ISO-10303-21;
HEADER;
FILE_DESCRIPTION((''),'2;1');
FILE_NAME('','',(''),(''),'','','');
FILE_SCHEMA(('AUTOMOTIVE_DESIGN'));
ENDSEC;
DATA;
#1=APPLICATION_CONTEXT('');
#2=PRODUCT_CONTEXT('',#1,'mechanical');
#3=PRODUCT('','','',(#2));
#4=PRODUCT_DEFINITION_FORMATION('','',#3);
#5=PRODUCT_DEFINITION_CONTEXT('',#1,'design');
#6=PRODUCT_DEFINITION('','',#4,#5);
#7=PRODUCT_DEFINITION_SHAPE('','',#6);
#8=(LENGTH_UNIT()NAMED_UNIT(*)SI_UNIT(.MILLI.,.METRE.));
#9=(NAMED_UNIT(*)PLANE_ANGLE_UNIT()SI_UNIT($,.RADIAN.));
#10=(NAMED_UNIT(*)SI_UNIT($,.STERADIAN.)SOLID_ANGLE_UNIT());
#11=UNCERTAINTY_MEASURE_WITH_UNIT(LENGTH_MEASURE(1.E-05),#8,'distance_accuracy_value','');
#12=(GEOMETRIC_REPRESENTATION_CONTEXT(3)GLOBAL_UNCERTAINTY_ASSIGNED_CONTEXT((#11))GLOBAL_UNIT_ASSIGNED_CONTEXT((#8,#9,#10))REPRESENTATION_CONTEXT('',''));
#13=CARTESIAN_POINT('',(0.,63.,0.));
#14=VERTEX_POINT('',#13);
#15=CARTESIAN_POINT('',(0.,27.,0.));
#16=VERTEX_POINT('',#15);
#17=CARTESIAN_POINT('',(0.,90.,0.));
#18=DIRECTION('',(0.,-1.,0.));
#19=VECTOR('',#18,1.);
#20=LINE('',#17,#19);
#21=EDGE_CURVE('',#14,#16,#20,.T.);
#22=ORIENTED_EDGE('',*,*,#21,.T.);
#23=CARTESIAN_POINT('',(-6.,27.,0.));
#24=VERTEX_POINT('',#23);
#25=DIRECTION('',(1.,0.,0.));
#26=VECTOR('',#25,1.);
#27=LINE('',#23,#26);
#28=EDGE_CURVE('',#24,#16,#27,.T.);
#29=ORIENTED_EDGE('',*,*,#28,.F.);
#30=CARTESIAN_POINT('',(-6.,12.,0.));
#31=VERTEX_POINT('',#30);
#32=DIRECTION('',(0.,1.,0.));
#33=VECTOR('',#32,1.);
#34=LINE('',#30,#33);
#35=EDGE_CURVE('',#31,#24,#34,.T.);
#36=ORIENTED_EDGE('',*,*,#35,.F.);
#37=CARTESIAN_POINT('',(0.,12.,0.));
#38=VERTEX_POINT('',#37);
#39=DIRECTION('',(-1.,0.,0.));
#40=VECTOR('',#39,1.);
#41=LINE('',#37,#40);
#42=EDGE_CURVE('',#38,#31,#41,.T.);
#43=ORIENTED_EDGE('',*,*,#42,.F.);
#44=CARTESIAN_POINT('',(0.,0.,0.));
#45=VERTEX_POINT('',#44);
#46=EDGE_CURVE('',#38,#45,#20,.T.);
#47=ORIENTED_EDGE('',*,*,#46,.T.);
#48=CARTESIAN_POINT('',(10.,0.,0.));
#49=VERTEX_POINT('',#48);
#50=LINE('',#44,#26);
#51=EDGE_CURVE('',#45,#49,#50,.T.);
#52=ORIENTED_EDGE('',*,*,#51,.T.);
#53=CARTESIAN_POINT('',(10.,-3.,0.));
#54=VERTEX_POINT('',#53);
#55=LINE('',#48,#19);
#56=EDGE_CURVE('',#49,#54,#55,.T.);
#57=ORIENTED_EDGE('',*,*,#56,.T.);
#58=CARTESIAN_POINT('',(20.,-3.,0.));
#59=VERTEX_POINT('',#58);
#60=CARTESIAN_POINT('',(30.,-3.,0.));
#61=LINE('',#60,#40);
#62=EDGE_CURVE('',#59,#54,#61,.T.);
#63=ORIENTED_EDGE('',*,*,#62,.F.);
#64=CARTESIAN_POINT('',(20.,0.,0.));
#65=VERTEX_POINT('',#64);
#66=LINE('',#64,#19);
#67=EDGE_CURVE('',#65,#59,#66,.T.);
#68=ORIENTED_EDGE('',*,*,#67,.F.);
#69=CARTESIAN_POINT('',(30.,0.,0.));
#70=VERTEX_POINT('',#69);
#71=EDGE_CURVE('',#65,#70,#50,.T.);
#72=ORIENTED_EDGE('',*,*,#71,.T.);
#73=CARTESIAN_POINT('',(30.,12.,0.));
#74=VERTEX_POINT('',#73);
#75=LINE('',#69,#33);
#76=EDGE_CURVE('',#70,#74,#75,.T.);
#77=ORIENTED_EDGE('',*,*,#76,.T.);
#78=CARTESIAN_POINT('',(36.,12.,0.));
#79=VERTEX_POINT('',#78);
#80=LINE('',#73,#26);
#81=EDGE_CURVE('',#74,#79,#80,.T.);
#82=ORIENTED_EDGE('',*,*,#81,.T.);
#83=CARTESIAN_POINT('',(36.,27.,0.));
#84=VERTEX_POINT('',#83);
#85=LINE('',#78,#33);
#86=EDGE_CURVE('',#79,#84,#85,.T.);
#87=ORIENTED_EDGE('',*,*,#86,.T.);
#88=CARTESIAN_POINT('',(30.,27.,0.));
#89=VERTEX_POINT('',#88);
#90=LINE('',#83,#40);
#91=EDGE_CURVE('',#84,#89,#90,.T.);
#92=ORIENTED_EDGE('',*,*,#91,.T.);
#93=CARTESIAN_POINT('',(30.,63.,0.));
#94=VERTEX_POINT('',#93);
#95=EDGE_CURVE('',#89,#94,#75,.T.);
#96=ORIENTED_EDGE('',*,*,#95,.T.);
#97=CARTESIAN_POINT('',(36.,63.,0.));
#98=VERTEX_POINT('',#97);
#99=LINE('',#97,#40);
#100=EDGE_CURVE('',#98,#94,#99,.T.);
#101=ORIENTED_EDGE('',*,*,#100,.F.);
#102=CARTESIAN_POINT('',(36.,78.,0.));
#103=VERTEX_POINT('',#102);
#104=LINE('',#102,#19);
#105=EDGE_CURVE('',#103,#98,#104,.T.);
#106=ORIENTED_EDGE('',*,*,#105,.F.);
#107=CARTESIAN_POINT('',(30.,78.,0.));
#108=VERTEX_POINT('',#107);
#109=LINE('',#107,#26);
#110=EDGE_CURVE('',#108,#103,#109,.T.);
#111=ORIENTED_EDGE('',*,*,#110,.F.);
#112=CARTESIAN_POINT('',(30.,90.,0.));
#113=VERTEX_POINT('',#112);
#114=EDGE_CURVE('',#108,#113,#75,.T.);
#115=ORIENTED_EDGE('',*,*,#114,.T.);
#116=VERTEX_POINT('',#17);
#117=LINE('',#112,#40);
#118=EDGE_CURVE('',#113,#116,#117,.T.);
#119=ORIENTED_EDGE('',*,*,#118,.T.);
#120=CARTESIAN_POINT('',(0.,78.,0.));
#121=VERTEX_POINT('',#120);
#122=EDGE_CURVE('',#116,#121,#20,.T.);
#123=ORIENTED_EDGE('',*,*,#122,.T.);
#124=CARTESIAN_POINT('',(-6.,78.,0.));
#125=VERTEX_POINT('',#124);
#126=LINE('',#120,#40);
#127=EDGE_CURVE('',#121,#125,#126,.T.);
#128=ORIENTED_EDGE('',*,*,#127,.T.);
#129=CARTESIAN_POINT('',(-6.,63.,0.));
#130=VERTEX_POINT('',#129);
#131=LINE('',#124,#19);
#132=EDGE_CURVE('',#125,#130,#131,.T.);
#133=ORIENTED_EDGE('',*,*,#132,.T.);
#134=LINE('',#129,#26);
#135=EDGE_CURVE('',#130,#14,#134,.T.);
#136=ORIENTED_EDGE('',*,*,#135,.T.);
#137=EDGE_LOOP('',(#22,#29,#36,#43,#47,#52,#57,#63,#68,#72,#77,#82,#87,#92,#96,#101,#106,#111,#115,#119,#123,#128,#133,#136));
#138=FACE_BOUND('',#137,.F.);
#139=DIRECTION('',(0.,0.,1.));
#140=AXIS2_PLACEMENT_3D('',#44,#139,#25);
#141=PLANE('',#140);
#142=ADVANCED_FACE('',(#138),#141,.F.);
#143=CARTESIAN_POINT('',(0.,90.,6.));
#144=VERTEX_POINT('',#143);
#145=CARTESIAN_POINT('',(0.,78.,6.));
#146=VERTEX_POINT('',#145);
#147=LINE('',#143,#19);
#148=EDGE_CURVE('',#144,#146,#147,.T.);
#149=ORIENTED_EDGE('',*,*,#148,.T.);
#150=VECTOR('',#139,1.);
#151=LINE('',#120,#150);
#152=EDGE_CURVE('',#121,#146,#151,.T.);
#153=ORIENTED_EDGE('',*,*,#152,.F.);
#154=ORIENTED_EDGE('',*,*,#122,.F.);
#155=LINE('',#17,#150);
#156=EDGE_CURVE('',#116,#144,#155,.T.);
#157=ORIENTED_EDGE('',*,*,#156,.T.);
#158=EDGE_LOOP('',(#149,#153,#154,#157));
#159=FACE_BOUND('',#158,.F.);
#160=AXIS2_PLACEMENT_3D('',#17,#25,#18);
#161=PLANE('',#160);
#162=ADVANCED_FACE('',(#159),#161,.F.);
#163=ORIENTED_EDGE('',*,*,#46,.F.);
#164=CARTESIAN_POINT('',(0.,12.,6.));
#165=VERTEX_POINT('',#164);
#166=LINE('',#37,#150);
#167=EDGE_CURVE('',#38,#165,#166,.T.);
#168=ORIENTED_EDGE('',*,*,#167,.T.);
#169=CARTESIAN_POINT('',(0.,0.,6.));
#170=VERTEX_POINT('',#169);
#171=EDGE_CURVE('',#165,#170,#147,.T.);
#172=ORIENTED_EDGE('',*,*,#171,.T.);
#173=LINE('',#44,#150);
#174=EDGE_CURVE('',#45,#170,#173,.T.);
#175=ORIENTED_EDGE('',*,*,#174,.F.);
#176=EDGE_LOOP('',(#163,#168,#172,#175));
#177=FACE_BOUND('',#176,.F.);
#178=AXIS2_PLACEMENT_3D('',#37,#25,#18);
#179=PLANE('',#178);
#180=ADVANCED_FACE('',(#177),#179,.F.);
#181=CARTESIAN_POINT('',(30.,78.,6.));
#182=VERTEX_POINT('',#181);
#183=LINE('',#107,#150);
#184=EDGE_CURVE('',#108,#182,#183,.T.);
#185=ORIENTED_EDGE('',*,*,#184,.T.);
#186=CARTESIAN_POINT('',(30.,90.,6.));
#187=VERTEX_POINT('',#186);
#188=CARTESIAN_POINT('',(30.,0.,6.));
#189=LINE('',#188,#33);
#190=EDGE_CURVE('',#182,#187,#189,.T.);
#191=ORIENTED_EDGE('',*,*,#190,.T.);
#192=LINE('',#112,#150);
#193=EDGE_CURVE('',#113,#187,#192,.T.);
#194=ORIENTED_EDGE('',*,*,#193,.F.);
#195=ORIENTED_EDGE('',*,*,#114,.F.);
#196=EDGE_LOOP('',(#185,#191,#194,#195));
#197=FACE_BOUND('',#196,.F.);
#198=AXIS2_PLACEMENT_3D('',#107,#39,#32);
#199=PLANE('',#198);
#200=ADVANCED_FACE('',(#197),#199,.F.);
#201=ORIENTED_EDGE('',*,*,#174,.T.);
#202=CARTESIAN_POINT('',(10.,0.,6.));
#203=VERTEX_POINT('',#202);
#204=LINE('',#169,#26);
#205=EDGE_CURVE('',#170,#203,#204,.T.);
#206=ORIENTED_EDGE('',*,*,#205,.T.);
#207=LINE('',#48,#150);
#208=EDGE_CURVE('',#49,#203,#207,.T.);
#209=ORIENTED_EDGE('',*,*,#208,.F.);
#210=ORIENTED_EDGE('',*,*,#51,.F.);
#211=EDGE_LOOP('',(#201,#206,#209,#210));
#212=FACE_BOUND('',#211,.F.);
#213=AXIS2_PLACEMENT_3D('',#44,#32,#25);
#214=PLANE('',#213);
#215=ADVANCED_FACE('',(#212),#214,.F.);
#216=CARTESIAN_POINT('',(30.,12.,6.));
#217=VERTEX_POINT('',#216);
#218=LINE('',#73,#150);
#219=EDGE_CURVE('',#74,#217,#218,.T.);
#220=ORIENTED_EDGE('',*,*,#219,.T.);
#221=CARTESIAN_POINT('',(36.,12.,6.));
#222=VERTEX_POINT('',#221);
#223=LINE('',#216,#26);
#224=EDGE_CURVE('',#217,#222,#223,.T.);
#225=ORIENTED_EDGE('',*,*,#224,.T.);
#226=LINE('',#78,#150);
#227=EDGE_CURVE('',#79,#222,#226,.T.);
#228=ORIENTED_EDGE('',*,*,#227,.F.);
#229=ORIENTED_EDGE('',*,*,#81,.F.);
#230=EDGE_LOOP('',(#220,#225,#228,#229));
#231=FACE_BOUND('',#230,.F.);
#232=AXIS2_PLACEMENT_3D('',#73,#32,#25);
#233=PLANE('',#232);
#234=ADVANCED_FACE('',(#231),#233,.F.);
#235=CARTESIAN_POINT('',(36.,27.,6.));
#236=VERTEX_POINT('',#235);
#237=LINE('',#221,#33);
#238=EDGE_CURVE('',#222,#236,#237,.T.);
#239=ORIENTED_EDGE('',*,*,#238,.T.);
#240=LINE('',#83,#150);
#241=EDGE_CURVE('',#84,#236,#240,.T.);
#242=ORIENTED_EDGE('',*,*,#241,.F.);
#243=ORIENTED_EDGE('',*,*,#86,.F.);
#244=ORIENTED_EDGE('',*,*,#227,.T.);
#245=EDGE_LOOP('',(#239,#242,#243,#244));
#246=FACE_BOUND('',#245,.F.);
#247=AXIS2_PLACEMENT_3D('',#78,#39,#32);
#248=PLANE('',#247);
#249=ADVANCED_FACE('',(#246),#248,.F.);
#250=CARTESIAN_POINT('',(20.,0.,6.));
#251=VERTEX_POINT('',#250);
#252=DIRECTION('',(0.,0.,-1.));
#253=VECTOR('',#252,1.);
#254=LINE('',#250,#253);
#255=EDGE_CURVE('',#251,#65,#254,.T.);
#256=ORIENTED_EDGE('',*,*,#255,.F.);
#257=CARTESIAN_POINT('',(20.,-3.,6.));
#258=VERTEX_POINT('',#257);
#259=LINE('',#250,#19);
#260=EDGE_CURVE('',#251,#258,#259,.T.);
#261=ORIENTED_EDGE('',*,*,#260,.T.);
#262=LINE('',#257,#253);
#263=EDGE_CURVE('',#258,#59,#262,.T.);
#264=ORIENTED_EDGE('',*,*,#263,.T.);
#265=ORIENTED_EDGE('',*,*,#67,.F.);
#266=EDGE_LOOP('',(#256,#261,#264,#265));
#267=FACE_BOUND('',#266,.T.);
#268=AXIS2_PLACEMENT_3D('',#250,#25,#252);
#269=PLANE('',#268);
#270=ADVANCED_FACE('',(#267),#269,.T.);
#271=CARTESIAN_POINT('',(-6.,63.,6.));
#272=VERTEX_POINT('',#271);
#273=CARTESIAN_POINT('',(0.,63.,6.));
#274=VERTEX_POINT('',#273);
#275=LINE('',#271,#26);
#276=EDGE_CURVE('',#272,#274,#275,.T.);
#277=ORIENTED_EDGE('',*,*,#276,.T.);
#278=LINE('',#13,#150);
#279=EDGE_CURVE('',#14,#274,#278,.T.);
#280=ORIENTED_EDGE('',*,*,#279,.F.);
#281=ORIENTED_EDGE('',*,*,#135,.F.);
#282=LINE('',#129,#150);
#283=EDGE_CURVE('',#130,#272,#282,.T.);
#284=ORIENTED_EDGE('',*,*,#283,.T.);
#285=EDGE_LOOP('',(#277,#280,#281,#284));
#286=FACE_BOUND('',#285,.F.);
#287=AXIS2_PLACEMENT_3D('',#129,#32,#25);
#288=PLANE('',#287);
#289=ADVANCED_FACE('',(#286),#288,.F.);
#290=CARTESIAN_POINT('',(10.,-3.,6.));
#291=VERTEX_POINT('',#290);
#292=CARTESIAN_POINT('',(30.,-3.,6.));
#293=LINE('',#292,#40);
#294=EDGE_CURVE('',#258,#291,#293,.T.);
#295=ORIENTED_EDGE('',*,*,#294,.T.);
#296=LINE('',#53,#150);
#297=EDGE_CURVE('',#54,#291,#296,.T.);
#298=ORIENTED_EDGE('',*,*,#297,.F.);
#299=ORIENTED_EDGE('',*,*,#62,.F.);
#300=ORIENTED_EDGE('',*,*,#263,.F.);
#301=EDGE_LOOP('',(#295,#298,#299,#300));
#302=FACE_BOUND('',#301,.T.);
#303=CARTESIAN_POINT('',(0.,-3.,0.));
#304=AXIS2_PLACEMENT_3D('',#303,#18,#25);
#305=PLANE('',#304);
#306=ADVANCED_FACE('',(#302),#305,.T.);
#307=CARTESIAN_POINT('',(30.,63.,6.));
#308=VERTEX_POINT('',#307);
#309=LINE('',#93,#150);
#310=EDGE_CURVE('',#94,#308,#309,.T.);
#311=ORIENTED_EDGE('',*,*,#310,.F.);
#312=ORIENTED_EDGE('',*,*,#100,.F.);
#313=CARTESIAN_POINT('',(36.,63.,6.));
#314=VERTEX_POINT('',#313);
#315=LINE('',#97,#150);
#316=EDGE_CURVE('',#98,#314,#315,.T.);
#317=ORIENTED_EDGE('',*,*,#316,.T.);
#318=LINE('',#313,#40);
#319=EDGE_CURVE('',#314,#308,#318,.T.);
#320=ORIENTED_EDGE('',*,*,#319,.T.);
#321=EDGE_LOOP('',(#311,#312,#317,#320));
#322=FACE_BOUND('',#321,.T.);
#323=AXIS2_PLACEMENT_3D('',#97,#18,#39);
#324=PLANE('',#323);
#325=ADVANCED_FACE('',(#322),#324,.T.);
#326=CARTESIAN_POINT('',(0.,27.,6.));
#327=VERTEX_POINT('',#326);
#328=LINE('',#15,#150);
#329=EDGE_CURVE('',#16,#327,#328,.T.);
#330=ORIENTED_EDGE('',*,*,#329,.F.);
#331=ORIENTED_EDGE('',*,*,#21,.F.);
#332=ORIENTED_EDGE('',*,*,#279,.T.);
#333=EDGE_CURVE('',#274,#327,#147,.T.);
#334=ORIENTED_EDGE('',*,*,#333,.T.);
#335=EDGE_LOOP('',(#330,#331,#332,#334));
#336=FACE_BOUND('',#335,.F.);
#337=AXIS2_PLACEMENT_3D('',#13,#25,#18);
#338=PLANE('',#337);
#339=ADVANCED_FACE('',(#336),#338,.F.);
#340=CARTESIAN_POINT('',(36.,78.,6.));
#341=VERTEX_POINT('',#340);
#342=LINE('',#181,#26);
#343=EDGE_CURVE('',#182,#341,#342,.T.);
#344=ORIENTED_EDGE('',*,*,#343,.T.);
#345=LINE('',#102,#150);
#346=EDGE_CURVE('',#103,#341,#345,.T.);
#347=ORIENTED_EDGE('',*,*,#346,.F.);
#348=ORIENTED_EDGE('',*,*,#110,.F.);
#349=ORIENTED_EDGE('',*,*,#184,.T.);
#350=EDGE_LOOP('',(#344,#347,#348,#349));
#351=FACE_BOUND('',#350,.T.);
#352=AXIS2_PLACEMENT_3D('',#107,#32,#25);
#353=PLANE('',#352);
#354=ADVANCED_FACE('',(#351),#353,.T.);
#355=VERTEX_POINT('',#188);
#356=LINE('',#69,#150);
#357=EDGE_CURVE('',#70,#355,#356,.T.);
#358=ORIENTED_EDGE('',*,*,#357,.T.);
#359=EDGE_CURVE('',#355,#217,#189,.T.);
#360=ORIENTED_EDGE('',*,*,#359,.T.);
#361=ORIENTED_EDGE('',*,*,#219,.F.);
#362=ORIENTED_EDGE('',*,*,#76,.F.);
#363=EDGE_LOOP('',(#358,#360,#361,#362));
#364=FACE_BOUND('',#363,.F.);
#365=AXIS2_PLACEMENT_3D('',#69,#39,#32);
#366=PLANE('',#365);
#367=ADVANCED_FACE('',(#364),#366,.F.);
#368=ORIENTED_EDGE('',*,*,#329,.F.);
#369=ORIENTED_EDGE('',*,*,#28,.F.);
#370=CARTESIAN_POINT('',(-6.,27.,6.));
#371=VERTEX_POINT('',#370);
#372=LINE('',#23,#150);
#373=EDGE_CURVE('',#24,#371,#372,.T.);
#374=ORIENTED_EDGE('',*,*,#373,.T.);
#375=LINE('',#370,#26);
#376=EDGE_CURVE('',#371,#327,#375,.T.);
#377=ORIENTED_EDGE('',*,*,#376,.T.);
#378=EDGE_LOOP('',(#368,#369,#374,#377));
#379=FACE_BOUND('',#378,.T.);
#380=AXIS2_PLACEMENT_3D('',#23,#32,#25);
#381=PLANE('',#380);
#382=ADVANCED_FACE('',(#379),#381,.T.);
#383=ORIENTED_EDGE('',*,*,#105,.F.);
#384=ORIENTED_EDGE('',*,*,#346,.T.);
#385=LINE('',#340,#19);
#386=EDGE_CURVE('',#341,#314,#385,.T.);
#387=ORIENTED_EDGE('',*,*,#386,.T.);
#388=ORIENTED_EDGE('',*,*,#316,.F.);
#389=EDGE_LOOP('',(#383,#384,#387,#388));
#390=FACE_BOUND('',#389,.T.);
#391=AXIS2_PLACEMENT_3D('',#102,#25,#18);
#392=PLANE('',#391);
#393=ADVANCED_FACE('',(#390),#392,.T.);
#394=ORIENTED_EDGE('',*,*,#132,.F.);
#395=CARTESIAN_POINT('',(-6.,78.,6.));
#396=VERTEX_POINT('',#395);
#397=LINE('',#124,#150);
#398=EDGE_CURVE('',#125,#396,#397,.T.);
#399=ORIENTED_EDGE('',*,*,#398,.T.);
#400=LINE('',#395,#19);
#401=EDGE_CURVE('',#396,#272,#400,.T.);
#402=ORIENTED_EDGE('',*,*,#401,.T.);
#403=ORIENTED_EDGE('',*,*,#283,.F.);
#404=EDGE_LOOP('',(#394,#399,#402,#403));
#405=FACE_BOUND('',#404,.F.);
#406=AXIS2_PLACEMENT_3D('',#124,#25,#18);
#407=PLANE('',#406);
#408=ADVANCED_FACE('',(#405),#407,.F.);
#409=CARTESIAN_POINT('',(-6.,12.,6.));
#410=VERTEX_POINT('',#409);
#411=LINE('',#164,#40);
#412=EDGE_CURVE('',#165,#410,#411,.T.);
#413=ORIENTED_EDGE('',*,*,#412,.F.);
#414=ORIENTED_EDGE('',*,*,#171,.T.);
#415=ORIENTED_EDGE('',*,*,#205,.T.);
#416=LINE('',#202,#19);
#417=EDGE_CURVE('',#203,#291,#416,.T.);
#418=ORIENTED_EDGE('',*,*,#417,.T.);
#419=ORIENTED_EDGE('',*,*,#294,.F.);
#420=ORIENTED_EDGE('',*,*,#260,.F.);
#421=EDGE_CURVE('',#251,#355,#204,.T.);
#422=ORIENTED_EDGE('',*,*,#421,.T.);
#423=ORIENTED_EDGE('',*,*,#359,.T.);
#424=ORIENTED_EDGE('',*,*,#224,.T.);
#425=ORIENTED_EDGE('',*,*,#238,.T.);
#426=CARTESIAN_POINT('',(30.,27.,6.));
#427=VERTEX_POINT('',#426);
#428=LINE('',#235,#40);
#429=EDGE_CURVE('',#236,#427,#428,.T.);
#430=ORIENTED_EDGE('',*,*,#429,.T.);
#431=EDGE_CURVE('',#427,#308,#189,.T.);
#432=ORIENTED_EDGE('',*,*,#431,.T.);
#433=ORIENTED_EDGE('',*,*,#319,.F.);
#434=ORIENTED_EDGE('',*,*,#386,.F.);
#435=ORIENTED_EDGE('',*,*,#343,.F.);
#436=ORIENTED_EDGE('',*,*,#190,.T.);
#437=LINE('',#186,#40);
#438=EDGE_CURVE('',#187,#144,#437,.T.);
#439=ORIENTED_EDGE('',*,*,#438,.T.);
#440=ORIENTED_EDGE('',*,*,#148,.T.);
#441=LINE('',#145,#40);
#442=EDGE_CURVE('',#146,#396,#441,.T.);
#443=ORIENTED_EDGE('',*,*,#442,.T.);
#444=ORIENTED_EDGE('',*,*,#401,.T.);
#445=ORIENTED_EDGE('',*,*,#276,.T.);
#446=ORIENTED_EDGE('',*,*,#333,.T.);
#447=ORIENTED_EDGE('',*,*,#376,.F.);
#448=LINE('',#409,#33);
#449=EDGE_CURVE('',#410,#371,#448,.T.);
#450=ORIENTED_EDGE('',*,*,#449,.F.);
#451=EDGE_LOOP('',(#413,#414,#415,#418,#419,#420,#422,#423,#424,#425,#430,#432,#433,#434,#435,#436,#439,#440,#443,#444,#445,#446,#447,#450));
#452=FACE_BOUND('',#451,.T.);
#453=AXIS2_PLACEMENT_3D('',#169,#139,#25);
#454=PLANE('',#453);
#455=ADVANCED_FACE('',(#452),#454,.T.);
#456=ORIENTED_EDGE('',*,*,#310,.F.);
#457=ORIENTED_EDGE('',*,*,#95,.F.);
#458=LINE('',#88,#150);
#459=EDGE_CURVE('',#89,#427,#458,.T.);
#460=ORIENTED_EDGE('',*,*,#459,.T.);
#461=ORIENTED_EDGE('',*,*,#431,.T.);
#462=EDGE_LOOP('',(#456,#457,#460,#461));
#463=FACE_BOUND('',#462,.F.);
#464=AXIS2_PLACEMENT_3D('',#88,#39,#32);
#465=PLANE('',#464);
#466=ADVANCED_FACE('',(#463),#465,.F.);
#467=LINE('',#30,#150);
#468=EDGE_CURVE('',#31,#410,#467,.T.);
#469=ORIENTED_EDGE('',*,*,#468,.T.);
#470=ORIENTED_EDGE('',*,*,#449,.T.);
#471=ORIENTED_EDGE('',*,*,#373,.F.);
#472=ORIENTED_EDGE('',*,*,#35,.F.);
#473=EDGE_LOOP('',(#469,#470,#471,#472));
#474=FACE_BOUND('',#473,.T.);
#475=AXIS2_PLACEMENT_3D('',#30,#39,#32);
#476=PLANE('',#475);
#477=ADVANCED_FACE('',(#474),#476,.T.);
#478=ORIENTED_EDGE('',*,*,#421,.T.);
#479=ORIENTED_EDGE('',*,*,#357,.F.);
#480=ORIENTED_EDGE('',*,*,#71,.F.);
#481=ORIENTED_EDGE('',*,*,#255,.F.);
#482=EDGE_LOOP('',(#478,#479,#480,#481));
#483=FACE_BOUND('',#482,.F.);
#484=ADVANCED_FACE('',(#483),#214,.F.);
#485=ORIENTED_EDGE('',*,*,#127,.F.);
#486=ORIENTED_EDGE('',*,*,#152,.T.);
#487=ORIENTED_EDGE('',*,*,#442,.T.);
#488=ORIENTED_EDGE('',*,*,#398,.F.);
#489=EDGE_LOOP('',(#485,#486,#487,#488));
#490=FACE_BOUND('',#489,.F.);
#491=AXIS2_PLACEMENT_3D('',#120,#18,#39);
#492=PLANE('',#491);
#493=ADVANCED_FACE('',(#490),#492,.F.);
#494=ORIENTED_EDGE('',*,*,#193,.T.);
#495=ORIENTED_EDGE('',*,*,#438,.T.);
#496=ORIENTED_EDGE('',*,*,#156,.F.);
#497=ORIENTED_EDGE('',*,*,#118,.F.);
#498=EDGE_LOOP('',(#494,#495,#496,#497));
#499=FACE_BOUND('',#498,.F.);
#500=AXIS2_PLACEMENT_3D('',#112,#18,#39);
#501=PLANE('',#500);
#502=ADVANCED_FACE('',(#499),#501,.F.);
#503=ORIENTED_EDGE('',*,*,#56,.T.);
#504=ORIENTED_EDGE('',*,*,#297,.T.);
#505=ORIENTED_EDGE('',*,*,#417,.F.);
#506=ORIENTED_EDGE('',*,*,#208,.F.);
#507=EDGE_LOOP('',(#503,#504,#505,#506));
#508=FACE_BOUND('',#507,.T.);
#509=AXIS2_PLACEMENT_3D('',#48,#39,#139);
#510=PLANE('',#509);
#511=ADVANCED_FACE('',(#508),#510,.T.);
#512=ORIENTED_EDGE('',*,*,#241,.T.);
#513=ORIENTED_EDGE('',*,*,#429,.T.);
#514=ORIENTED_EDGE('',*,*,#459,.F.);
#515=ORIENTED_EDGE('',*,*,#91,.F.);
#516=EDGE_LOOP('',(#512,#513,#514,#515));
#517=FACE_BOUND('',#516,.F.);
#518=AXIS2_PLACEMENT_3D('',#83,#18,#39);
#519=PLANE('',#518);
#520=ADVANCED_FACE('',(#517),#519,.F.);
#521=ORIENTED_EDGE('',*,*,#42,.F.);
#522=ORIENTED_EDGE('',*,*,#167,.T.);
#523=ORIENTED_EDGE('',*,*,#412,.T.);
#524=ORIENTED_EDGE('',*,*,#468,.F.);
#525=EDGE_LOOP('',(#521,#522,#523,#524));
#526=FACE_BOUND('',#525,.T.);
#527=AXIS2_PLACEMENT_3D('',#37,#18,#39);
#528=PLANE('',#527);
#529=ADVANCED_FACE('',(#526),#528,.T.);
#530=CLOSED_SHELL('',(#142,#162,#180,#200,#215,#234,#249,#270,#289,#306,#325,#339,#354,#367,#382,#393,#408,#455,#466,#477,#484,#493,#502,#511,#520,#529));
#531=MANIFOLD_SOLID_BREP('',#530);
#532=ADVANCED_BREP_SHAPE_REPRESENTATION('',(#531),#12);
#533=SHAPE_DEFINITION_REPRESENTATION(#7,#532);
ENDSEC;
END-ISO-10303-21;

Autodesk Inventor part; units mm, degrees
ref_plane "YZ Plane" through (0, 0, 0) normal (1, 0, 0) x (0, 1, 0)
ref_plane "XZ Plane" through (0, 0, 0) normal (0, 1, 0) x (-1, 0, 0)
ref_plane "XY Plane" through (0, 0, 0) normal (0, 0, 1) x (1, 0, 0)
sketch "Boceto1" plane through (0, 0, 0) normal (0, 0, 1) x (1, 0, 0)
  line L0 (0, 0) -> (30, 0)
  line L1 (30, 0) -> (30, 90)
  line L2 (30, 90) -> (0, 90)
  line L3 (0, 90) -> (0, 0)
  line L4 (30, 78) -> (36, 78)
  line L5 (36, 78) -> (36, 63)
  line L6 (36, 63) -> (30, 63)
  line L7 (30, 63) -> (30, 78)
  line L8 (30, 45) -> (0, 45) construction
  line L9 (30, 12) -> (36, 12)
  line L10 (36, 12) -> (36, 27)
  line L11 (36, 27) -> (30, 27)
  line L12 (30, 27) -> (30, 12)
  line L13 (15, 90) -> (15, 45) construction
  line L14 (0, 78) -> (-6, 78)
  line L15 (-6, 78) -> (-6, 63)
  line L16 (-6, 63) -> (0, 63)
  line L17 (0, 63) -> (0, 78)
  line L18 (0, 12) -> (-6, 12)
  line L19 (-6, 12) -> (-6, 27)
  line L20 (-6, 27) -> (0, 27)
  line L21 (0, 27) -> (0, 12)
  point P0 (30, 12)
  point P1 (30, 27)
  point P2 (30, 63)
  dimension "d0" = 30
  dimension "d1" = 90
  dimension "d2" = 6
  dimension "d3" = 15
  dimension "d4" = 12
extrude "Extrusión1" add sketch "Boceto1" along normal blind 6
sketch "Boceto3" plane through (0, 0, 0) normal (0, -1, 0) x (1, 0, 0)
  line L0 (30, 6) -> (0, 6) projected
  line L1 (30, 0) -> (0, 0) projected
  line L2 (10, 6) -> (20, 6)
  line L3 (20, 6) -> (20, 0)
  line L4 (20, 0) -> (10, 0)
  line L5 (10, 0) -> (10, 6)
  point P0 (15, 6)
  point P1 (15, 6)
  dimension "d11" = 10
extrude "Extrusión3" add sketch "Boceto3" along normal blind 3
properties part number "Caja_CaraFrontal"
